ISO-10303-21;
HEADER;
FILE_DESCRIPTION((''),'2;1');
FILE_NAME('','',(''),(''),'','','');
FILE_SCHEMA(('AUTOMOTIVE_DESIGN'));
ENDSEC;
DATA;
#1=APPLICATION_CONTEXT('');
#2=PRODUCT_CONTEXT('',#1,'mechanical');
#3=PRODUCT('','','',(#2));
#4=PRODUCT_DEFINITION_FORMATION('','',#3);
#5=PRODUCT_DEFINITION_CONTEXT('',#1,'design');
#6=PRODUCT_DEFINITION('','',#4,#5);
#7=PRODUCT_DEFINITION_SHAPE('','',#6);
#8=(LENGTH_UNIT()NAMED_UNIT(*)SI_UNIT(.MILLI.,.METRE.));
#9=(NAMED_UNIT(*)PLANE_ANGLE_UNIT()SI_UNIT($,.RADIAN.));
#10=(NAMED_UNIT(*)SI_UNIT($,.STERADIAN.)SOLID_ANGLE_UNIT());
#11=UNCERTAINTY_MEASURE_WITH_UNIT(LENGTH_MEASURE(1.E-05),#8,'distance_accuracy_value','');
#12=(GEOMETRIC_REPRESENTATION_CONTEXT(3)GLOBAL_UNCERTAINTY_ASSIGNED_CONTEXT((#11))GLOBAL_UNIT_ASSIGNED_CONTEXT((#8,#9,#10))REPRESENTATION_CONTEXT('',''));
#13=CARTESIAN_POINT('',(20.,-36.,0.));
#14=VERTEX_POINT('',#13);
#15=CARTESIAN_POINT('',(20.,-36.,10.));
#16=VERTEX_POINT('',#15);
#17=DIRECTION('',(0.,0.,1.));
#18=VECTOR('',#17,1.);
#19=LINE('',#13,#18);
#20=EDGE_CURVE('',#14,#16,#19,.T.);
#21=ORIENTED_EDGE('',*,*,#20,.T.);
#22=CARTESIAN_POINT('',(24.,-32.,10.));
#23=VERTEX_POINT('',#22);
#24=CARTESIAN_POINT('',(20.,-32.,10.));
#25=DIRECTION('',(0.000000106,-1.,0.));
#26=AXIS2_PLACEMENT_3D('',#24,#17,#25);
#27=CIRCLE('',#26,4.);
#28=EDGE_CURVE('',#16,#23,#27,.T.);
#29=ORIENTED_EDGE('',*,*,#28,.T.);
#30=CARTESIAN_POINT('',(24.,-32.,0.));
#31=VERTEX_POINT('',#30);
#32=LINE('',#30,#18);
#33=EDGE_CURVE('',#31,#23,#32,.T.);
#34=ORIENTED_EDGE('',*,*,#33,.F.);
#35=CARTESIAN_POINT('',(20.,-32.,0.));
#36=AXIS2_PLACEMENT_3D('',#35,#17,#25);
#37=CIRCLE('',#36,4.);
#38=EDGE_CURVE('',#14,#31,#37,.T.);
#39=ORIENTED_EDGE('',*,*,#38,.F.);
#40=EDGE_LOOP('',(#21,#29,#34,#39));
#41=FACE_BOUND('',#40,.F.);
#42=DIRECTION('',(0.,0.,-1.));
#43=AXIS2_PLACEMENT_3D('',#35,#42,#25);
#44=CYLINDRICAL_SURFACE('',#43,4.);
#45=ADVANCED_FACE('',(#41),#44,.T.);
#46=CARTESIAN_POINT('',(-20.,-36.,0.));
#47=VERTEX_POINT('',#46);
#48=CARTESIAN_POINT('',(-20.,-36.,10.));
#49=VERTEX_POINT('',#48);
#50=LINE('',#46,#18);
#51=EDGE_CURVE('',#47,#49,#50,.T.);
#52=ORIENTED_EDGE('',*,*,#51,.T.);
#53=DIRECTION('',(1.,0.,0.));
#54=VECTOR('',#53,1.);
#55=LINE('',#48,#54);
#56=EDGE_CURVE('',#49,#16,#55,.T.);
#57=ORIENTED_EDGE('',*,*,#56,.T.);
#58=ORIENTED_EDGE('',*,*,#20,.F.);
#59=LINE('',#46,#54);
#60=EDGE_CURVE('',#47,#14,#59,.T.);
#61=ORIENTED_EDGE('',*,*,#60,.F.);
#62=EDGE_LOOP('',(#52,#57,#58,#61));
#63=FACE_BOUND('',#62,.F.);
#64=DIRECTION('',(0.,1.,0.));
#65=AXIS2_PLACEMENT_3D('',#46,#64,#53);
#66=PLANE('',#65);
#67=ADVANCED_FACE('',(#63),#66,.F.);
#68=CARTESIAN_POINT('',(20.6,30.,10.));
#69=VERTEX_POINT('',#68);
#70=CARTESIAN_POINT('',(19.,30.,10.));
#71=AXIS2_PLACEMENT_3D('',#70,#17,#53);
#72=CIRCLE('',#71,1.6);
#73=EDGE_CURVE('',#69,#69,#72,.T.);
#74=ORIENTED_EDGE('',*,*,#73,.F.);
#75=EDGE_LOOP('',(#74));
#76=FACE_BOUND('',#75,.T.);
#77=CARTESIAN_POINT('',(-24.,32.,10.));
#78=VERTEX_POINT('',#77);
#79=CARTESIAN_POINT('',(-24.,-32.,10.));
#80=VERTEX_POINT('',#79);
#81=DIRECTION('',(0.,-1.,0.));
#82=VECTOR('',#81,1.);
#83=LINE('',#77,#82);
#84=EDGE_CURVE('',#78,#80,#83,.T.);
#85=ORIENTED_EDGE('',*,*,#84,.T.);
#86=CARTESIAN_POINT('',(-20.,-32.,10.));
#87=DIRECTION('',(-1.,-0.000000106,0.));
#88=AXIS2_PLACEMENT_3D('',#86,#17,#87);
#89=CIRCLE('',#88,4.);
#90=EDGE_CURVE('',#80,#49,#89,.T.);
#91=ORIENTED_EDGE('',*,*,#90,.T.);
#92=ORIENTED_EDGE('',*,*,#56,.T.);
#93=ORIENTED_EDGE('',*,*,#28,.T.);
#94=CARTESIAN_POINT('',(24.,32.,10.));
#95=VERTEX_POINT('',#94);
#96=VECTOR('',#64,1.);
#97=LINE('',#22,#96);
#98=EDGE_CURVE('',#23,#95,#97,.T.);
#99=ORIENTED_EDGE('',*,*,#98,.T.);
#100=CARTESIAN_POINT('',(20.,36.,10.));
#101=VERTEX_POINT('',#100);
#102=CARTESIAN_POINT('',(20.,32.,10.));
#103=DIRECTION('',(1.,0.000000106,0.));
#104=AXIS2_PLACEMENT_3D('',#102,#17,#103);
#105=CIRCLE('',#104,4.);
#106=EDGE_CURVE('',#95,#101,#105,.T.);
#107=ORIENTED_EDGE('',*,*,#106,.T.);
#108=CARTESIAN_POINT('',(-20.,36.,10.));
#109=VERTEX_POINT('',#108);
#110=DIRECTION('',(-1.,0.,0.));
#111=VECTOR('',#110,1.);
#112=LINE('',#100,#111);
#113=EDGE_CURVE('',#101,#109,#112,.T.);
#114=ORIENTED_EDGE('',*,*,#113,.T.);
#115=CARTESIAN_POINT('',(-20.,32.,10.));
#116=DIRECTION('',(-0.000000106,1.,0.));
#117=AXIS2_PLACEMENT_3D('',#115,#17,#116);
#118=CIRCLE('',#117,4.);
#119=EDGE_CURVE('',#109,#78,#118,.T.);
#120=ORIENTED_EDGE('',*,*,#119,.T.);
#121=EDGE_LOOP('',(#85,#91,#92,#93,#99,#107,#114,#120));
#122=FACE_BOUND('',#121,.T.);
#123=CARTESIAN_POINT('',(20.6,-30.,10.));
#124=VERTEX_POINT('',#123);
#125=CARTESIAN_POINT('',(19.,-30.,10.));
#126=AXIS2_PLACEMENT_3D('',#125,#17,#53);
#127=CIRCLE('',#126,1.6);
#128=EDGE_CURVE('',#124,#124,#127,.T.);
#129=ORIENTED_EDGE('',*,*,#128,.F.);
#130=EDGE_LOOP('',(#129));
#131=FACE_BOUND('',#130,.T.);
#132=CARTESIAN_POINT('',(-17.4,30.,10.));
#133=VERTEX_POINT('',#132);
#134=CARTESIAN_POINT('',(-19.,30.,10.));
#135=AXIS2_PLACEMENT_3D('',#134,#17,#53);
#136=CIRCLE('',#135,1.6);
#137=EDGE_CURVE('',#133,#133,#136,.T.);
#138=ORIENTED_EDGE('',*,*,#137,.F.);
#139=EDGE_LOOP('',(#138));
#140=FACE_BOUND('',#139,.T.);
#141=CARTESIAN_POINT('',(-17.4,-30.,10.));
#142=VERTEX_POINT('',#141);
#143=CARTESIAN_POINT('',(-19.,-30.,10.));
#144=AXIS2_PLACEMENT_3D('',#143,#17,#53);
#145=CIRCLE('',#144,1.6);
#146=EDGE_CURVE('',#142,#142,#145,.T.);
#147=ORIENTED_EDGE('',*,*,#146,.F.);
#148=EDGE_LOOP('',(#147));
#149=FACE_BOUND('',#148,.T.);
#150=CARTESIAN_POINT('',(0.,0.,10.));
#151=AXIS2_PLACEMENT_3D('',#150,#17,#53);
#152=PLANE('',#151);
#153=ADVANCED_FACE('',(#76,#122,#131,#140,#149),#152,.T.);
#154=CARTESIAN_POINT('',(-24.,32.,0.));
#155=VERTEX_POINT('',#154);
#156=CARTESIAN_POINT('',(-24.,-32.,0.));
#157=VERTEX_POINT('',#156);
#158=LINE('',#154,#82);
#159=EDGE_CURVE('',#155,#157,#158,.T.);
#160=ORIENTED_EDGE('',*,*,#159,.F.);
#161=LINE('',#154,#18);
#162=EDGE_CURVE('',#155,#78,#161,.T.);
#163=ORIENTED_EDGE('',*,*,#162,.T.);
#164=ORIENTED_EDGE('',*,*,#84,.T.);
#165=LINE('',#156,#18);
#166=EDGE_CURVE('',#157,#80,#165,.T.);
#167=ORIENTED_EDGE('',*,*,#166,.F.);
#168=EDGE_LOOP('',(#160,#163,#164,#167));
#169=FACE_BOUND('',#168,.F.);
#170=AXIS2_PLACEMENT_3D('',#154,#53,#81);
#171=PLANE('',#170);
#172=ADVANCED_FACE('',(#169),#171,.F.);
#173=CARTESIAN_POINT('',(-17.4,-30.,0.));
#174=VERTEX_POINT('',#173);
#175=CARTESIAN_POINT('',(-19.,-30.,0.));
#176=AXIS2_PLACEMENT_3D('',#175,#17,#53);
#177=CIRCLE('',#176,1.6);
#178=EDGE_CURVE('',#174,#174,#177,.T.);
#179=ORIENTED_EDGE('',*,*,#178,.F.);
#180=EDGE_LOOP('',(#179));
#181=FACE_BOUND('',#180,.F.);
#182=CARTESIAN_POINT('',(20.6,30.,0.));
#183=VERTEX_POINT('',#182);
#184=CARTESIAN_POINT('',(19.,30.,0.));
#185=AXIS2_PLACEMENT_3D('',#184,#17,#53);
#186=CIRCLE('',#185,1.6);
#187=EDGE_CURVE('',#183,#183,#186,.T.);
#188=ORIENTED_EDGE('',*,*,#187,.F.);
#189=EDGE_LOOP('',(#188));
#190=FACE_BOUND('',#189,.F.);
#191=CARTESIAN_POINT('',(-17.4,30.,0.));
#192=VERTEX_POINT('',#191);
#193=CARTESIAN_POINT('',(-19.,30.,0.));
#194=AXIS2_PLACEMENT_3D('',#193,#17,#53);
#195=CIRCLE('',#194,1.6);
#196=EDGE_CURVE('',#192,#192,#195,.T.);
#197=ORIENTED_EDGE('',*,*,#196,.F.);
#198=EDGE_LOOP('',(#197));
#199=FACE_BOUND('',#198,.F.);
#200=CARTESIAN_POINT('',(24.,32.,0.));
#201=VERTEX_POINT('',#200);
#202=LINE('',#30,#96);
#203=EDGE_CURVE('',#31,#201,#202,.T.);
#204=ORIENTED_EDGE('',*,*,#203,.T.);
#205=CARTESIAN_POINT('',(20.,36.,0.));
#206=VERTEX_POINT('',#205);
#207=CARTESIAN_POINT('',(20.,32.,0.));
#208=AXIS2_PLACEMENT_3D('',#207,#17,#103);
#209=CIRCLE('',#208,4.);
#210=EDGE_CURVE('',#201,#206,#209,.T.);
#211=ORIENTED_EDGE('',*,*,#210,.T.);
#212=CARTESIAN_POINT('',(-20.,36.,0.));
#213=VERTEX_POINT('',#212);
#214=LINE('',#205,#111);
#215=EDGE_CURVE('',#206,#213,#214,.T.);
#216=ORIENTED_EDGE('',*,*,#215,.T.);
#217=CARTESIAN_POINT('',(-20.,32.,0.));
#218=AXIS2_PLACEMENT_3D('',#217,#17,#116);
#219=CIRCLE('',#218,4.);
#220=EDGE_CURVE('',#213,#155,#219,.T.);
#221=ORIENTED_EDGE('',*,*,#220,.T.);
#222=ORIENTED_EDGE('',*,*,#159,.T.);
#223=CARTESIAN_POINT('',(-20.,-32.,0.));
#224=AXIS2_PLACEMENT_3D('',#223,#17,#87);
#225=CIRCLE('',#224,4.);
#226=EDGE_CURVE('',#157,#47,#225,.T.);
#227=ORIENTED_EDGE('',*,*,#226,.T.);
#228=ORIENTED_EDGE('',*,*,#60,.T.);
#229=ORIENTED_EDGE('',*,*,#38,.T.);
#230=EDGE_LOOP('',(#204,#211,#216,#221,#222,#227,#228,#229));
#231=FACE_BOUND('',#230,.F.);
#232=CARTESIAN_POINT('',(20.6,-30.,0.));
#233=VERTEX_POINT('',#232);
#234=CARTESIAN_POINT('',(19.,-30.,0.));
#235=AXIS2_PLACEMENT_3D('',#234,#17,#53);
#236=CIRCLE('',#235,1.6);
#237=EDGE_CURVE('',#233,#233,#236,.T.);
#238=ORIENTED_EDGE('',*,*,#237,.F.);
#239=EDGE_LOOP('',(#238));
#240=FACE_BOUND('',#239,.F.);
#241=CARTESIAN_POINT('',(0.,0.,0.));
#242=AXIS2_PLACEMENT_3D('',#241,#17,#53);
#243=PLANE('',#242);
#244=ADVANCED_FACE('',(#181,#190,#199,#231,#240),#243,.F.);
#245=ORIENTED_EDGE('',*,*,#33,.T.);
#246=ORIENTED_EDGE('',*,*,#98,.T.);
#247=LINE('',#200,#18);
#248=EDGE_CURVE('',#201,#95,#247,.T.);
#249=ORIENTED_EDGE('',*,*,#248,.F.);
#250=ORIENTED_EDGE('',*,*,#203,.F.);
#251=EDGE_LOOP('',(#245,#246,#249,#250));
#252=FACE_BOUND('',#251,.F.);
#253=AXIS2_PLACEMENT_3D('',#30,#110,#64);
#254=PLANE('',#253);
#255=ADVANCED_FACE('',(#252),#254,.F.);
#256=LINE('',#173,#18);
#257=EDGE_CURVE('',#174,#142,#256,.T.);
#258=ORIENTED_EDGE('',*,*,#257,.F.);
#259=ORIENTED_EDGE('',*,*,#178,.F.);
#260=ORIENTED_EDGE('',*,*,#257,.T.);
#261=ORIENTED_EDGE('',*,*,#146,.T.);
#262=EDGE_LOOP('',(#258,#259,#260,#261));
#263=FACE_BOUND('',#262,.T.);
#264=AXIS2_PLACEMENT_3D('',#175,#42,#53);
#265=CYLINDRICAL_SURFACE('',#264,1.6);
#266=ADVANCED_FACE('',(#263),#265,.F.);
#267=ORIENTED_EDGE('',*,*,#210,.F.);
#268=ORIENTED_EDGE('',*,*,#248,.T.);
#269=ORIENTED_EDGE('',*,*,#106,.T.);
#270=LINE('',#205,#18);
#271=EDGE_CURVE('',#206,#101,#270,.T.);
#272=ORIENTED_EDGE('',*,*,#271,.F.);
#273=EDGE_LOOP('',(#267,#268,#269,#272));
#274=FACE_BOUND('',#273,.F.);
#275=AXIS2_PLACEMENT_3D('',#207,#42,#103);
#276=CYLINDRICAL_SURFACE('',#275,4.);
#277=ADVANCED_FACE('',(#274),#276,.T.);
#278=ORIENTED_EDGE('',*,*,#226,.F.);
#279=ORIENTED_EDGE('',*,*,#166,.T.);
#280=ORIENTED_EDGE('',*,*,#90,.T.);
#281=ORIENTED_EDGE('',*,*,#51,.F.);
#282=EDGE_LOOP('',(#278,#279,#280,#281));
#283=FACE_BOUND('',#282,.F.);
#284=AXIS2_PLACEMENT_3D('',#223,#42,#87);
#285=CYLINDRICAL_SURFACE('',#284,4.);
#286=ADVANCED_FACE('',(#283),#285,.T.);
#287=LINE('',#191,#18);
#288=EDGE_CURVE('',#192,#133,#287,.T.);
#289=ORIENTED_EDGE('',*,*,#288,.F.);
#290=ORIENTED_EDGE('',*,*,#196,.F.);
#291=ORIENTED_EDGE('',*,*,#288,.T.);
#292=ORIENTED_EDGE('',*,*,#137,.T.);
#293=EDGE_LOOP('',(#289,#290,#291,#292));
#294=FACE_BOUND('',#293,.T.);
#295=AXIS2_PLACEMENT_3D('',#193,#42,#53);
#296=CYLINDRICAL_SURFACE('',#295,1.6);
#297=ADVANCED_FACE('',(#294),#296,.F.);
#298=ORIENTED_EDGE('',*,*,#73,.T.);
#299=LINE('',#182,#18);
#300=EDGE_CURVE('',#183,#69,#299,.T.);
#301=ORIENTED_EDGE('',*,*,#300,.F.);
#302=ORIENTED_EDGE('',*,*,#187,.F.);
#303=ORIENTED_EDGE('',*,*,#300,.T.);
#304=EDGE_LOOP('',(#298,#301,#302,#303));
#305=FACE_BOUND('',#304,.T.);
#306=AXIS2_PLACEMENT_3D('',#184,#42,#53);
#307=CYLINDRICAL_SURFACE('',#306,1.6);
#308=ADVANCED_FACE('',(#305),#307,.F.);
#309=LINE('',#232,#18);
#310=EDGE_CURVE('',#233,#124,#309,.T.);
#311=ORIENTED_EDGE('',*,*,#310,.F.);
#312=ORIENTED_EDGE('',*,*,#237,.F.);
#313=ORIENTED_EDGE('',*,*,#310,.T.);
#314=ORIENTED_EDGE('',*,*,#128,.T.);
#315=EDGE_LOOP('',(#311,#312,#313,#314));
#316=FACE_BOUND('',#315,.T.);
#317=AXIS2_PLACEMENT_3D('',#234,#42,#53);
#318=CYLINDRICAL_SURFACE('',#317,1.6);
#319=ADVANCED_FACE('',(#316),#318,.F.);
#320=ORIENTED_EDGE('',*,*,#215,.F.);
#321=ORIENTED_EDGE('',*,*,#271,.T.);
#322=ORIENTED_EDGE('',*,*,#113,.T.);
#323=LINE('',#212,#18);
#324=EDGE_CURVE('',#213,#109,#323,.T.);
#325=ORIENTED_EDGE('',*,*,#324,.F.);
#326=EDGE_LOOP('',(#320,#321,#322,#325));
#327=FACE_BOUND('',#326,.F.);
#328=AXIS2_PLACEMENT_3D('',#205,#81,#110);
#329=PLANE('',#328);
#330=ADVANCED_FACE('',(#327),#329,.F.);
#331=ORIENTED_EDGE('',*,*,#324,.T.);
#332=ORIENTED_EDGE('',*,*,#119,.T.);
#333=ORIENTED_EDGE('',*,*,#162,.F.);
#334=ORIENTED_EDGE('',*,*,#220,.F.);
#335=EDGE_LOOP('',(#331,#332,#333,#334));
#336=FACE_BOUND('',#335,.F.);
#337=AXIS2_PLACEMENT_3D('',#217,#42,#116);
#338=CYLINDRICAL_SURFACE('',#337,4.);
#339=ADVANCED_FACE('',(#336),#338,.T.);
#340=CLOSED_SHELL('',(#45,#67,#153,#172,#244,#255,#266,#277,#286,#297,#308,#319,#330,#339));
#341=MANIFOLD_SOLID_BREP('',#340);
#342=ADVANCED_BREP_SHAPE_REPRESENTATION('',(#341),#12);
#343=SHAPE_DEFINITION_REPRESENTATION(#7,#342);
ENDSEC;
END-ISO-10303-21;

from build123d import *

# Parameters (mm, degrees)
F0_R     = 1.6
F1_DEPTH = 10


with BuildPart() as f1:
    # F0 (on Top) → F1 (new body)
    with BuildSketch(Plane.XY):
        with BuildLine():
            Line((20, 36), (0, 36))
            Line((0, 36), (-20, 36))
            ThreePointArc((-20, 36), (-22.828427, 34.828427), (-24, 32))
            Line((-24, 32), (-24, 0))
            Line((-24, 0), (-24, -32))
            ThreePointArc((-24, -32), (-22.828427, -34.828427), (-20, -36))
            Line((-20, -36), (0, -36))
            Line((0, -36), (20, -36))
            ThreePointArc((20, -36), (22.828427, -34.828427), (24, -32))
            Line((24, -32), (24, 0))
            Line((24, 0), (24, 32))
            ThreePointArc((24, 32), (22.828427, 34.828427), (20, 36))
        make_face()
        with Locations((-19, -30)):
            Circle(F0_R, mode=Mode.SUBTRACT)
        with Locations((19, -30)):
            Circle(F0_R, mode=Mode.SUBTRACT)
        with Locations((-19, 30)):
            Circle(F0_R, mode=Mode.SUBTRACT)
        with Locations((19, 30)):
            Circle(F0_R, mode=Mode.SUBTRACT)
    extrude(amount=F1_DEPTH)


solid = f1.part
